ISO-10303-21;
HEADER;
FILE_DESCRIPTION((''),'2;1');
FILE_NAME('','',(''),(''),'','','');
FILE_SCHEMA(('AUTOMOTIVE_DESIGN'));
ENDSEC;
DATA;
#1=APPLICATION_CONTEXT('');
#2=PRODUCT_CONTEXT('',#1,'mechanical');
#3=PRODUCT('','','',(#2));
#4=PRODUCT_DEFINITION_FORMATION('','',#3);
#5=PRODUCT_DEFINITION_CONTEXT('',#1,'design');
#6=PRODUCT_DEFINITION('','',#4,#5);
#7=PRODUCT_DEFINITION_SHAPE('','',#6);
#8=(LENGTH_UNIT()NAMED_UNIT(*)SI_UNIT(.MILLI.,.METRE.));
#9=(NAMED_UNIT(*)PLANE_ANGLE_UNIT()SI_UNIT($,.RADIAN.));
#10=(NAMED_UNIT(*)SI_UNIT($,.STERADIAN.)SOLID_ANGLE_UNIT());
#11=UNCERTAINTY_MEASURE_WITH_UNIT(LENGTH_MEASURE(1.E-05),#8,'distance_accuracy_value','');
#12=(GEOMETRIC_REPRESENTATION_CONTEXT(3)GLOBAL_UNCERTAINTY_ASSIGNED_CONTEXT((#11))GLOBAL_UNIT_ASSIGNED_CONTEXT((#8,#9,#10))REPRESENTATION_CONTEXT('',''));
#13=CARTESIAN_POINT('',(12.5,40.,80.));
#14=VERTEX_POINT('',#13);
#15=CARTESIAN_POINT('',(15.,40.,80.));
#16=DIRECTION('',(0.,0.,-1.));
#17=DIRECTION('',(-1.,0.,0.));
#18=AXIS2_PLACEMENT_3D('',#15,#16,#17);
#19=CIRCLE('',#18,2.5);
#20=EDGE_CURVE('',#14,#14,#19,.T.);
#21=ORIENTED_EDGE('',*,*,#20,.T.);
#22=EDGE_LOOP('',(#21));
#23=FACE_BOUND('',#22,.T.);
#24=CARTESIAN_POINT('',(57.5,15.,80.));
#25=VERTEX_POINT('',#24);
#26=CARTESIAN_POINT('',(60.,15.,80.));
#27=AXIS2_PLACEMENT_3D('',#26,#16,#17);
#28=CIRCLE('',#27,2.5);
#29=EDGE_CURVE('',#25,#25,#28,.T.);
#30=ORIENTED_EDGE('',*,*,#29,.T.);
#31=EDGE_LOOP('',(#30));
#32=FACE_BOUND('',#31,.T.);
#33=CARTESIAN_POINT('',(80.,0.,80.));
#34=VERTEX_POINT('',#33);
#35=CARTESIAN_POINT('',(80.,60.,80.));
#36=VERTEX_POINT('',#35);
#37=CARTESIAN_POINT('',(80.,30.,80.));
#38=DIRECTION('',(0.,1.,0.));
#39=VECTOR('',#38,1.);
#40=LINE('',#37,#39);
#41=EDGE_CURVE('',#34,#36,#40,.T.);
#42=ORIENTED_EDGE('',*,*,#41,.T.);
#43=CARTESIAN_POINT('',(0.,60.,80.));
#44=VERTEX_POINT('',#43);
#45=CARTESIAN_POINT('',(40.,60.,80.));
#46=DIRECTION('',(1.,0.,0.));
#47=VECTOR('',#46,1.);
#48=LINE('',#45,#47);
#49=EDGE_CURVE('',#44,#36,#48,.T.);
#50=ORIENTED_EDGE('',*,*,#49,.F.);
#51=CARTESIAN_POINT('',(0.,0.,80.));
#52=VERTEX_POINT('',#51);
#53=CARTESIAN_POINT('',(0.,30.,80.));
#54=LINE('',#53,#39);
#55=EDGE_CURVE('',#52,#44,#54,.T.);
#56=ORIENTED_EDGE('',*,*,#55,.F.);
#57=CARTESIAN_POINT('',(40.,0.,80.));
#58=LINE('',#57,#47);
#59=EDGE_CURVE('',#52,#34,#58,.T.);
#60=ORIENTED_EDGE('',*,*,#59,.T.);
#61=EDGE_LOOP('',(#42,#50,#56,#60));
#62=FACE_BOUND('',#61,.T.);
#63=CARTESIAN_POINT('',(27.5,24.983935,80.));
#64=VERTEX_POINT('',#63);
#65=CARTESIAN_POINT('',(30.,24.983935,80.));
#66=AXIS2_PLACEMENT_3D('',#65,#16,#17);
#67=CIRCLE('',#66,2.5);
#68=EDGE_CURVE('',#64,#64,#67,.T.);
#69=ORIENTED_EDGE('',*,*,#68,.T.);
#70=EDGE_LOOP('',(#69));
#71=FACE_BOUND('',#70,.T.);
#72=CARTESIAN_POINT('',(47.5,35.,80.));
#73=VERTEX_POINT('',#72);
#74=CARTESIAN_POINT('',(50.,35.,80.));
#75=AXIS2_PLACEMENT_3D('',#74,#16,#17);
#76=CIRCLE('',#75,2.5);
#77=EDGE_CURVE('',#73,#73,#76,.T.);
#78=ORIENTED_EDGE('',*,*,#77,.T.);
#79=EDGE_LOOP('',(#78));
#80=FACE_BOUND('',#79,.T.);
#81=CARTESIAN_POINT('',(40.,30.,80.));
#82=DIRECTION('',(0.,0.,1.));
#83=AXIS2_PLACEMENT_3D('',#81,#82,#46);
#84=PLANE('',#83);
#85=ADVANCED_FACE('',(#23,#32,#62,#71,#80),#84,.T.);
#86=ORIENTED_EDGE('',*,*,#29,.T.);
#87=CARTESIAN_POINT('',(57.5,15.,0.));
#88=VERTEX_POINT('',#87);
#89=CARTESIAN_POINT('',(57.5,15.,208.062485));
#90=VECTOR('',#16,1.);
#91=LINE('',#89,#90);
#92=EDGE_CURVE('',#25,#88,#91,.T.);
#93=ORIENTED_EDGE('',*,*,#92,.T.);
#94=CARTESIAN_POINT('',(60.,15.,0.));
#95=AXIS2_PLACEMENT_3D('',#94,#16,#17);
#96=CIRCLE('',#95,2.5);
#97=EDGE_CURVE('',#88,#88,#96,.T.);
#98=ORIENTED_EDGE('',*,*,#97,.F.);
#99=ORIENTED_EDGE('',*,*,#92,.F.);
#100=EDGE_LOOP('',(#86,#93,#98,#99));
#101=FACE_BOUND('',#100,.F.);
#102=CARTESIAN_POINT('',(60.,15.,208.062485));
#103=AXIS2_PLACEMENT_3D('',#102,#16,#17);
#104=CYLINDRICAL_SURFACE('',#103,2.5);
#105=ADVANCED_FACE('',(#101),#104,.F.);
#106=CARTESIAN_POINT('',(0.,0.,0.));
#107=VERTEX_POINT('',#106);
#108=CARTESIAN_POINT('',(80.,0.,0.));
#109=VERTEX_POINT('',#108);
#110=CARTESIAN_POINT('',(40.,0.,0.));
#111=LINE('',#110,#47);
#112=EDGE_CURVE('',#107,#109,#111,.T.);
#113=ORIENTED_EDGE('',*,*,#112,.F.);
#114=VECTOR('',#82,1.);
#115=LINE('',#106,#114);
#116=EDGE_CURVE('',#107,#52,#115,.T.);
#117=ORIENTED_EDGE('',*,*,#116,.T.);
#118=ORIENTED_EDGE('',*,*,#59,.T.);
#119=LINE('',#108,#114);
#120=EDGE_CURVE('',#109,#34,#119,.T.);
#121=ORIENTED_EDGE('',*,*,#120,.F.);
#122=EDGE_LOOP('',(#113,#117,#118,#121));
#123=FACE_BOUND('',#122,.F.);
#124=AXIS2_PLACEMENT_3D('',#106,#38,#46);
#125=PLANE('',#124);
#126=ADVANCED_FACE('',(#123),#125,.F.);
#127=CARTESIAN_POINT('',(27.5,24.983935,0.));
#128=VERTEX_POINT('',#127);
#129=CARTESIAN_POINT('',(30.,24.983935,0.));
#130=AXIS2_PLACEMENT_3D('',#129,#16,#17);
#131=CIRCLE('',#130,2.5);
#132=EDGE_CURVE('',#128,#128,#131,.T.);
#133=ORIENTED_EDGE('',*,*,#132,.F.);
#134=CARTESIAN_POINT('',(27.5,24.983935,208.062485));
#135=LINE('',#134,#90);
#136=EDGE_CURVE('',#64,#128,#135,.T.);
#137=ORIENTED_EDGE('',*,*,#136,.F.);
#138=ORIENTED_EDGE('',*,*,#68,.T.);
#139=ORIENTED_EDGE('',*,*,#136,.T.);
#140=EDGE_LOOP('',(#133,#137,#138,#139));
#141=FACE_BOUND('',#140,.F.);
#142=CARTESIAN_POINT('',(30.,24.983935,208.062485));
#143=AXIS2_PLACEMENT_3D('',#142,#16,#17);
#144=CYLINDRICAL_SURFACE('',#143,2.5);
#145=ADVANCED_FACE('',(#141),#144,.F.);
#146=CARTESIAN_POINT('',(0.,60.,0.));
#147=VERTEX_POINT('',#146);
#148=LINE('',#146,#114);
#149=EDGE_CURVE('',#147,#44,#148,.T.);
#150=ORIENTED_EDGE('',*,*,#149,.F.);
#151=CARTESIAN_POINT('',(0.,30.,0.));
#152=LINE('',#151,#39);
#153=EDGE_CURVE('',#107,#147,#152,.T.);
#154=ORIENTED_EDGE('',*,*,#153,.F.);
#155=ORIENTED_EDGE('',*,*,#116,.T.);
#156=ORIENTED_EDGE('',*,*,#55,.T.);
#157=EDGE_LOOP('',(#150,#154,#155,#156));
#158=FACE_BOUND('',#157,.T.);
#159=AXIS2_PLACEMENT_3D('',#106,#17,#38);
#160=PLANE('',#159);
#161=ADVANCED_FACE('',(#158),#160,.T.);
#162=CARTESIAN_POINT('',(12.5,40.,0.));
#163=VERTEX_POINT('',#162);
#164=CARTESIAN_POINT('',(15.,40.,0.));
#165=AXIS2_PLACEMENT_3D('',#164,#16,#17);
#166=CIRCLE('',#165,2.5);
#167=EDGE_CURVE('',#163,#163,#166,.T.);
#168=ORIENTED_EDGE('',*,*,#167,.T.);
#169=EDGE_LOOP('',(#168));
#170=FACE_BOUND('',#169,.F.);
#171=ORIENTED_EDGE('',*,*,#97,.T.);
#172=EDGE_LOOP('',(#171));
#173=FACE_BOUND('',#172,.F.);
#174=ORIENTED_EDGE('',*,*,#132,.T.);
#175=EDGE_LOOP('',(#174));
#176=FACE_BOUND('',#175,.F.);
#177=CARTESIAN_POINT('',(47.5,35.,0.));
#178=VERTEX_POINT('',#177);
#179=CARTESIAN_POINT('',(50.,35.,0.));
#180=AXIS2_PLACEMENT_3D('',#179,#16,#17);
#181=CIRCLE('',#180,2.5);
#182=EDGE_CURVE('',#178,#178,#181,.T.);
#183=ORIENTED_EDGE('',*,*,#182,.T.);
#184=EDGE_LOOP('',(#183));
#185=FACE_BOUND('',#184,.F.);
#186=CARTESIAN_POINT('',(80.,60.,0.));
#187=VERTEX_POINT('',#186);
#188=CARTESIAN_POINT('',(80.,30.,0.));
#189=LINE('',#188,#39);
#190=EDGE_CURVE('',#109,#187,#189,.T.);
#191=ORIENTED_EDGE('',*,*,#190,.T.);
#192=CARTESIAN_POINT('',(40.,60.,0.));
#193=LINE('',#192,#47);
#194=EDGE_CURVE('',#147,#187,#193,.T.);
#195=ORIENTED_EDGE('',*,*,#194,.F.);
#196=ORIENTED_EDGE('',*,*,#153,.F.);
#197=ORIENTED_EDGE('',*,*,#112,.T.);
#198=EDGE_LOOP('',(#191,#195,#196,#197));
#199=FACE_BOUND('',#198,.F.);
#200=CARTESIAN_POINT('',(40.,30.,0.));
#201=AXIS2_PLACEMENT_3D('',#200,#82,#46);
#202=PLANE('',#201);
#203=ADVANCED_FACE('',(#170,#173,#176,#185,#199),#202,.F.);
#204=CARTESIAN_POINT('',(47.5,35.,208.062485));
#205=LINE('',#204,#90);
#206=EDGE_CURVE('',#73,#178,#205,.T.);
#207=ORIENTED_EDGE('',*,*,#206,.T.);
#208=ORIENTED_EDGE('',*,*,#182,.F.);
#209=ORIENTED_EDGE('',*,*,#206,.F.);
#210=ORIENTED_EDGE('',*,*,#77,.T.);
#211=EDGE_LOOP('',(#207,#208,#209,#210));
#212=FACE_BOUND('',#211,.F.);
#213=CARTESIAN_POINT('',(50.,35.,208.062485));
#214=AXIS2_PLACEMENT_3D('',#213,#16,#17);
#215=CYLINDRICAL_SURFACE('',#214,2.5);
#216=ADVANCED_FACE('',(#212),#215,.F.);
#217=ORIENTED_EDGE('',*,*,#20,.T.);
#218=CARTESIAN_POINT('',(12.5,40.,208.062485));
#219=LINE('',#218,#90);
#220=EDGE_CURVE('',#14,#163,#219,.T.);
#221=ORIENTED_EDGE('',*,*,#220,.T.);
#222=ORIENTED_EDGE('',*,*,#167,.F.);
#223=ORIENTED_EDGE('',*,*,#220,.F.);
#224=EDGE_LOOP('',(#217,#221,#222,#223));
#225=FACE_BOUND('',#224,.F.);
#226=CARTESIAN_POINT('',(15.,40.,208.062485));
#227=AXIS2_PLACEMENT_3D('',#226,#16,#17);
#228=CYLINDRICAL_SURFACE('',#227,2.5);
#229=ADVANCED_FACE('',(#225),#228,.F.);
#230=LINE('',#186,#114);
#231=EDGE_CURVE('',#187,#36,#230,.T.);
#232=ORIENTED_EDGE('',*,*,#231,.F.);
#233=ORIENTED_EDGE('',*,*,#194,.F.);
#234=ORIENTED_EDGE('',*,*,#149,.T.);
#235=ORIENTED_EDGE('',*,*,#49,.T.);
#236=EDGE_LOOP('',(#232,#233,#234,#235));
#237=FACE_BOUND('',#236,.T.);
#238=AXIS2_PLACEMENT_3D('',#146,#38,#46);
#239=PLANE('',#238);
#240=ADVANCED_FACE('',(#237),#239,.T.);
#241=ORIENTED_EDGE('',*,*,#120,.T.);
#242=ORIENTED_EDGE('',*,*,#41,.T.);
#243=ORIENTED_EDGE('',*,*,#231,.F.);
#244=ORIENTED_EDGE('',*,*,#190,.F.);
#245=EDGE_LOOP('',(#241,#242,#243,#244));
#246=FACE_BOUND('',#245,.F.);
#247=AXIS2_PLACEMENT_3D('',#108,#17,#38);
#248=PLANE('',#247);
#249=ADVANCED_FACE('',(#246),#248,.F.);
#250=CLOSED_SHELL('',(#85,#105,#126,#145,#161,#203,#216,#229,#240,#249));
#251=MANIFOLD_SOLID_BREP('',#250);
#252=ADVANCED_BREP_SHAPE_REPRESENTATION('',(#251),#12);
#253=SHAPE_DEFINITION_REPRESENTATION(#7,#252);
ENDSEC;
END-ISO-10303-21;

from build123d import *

# Parameters (mm, degrees)
F0_W     = 80
F0_H     = 60
F1_DEPTH = 80
F3_D     = 5


with BuildPart() as f1:
    # F0 (on Top) → F1 (new body)
    with BuildSketch(Plane.XY):
        with Locations((40, 30)):
            Rectangle(F0_W, F0_H)
    extrude(amount=F1_DEPTH)

    # F3 (through all)
    with Locations(Plane.XY.offset(80)):
        with Locations((15, 40), (30, 24.983935), (60, 15), (50, 35)):
            Hole(F3_D / 2)


solid = f1.part
